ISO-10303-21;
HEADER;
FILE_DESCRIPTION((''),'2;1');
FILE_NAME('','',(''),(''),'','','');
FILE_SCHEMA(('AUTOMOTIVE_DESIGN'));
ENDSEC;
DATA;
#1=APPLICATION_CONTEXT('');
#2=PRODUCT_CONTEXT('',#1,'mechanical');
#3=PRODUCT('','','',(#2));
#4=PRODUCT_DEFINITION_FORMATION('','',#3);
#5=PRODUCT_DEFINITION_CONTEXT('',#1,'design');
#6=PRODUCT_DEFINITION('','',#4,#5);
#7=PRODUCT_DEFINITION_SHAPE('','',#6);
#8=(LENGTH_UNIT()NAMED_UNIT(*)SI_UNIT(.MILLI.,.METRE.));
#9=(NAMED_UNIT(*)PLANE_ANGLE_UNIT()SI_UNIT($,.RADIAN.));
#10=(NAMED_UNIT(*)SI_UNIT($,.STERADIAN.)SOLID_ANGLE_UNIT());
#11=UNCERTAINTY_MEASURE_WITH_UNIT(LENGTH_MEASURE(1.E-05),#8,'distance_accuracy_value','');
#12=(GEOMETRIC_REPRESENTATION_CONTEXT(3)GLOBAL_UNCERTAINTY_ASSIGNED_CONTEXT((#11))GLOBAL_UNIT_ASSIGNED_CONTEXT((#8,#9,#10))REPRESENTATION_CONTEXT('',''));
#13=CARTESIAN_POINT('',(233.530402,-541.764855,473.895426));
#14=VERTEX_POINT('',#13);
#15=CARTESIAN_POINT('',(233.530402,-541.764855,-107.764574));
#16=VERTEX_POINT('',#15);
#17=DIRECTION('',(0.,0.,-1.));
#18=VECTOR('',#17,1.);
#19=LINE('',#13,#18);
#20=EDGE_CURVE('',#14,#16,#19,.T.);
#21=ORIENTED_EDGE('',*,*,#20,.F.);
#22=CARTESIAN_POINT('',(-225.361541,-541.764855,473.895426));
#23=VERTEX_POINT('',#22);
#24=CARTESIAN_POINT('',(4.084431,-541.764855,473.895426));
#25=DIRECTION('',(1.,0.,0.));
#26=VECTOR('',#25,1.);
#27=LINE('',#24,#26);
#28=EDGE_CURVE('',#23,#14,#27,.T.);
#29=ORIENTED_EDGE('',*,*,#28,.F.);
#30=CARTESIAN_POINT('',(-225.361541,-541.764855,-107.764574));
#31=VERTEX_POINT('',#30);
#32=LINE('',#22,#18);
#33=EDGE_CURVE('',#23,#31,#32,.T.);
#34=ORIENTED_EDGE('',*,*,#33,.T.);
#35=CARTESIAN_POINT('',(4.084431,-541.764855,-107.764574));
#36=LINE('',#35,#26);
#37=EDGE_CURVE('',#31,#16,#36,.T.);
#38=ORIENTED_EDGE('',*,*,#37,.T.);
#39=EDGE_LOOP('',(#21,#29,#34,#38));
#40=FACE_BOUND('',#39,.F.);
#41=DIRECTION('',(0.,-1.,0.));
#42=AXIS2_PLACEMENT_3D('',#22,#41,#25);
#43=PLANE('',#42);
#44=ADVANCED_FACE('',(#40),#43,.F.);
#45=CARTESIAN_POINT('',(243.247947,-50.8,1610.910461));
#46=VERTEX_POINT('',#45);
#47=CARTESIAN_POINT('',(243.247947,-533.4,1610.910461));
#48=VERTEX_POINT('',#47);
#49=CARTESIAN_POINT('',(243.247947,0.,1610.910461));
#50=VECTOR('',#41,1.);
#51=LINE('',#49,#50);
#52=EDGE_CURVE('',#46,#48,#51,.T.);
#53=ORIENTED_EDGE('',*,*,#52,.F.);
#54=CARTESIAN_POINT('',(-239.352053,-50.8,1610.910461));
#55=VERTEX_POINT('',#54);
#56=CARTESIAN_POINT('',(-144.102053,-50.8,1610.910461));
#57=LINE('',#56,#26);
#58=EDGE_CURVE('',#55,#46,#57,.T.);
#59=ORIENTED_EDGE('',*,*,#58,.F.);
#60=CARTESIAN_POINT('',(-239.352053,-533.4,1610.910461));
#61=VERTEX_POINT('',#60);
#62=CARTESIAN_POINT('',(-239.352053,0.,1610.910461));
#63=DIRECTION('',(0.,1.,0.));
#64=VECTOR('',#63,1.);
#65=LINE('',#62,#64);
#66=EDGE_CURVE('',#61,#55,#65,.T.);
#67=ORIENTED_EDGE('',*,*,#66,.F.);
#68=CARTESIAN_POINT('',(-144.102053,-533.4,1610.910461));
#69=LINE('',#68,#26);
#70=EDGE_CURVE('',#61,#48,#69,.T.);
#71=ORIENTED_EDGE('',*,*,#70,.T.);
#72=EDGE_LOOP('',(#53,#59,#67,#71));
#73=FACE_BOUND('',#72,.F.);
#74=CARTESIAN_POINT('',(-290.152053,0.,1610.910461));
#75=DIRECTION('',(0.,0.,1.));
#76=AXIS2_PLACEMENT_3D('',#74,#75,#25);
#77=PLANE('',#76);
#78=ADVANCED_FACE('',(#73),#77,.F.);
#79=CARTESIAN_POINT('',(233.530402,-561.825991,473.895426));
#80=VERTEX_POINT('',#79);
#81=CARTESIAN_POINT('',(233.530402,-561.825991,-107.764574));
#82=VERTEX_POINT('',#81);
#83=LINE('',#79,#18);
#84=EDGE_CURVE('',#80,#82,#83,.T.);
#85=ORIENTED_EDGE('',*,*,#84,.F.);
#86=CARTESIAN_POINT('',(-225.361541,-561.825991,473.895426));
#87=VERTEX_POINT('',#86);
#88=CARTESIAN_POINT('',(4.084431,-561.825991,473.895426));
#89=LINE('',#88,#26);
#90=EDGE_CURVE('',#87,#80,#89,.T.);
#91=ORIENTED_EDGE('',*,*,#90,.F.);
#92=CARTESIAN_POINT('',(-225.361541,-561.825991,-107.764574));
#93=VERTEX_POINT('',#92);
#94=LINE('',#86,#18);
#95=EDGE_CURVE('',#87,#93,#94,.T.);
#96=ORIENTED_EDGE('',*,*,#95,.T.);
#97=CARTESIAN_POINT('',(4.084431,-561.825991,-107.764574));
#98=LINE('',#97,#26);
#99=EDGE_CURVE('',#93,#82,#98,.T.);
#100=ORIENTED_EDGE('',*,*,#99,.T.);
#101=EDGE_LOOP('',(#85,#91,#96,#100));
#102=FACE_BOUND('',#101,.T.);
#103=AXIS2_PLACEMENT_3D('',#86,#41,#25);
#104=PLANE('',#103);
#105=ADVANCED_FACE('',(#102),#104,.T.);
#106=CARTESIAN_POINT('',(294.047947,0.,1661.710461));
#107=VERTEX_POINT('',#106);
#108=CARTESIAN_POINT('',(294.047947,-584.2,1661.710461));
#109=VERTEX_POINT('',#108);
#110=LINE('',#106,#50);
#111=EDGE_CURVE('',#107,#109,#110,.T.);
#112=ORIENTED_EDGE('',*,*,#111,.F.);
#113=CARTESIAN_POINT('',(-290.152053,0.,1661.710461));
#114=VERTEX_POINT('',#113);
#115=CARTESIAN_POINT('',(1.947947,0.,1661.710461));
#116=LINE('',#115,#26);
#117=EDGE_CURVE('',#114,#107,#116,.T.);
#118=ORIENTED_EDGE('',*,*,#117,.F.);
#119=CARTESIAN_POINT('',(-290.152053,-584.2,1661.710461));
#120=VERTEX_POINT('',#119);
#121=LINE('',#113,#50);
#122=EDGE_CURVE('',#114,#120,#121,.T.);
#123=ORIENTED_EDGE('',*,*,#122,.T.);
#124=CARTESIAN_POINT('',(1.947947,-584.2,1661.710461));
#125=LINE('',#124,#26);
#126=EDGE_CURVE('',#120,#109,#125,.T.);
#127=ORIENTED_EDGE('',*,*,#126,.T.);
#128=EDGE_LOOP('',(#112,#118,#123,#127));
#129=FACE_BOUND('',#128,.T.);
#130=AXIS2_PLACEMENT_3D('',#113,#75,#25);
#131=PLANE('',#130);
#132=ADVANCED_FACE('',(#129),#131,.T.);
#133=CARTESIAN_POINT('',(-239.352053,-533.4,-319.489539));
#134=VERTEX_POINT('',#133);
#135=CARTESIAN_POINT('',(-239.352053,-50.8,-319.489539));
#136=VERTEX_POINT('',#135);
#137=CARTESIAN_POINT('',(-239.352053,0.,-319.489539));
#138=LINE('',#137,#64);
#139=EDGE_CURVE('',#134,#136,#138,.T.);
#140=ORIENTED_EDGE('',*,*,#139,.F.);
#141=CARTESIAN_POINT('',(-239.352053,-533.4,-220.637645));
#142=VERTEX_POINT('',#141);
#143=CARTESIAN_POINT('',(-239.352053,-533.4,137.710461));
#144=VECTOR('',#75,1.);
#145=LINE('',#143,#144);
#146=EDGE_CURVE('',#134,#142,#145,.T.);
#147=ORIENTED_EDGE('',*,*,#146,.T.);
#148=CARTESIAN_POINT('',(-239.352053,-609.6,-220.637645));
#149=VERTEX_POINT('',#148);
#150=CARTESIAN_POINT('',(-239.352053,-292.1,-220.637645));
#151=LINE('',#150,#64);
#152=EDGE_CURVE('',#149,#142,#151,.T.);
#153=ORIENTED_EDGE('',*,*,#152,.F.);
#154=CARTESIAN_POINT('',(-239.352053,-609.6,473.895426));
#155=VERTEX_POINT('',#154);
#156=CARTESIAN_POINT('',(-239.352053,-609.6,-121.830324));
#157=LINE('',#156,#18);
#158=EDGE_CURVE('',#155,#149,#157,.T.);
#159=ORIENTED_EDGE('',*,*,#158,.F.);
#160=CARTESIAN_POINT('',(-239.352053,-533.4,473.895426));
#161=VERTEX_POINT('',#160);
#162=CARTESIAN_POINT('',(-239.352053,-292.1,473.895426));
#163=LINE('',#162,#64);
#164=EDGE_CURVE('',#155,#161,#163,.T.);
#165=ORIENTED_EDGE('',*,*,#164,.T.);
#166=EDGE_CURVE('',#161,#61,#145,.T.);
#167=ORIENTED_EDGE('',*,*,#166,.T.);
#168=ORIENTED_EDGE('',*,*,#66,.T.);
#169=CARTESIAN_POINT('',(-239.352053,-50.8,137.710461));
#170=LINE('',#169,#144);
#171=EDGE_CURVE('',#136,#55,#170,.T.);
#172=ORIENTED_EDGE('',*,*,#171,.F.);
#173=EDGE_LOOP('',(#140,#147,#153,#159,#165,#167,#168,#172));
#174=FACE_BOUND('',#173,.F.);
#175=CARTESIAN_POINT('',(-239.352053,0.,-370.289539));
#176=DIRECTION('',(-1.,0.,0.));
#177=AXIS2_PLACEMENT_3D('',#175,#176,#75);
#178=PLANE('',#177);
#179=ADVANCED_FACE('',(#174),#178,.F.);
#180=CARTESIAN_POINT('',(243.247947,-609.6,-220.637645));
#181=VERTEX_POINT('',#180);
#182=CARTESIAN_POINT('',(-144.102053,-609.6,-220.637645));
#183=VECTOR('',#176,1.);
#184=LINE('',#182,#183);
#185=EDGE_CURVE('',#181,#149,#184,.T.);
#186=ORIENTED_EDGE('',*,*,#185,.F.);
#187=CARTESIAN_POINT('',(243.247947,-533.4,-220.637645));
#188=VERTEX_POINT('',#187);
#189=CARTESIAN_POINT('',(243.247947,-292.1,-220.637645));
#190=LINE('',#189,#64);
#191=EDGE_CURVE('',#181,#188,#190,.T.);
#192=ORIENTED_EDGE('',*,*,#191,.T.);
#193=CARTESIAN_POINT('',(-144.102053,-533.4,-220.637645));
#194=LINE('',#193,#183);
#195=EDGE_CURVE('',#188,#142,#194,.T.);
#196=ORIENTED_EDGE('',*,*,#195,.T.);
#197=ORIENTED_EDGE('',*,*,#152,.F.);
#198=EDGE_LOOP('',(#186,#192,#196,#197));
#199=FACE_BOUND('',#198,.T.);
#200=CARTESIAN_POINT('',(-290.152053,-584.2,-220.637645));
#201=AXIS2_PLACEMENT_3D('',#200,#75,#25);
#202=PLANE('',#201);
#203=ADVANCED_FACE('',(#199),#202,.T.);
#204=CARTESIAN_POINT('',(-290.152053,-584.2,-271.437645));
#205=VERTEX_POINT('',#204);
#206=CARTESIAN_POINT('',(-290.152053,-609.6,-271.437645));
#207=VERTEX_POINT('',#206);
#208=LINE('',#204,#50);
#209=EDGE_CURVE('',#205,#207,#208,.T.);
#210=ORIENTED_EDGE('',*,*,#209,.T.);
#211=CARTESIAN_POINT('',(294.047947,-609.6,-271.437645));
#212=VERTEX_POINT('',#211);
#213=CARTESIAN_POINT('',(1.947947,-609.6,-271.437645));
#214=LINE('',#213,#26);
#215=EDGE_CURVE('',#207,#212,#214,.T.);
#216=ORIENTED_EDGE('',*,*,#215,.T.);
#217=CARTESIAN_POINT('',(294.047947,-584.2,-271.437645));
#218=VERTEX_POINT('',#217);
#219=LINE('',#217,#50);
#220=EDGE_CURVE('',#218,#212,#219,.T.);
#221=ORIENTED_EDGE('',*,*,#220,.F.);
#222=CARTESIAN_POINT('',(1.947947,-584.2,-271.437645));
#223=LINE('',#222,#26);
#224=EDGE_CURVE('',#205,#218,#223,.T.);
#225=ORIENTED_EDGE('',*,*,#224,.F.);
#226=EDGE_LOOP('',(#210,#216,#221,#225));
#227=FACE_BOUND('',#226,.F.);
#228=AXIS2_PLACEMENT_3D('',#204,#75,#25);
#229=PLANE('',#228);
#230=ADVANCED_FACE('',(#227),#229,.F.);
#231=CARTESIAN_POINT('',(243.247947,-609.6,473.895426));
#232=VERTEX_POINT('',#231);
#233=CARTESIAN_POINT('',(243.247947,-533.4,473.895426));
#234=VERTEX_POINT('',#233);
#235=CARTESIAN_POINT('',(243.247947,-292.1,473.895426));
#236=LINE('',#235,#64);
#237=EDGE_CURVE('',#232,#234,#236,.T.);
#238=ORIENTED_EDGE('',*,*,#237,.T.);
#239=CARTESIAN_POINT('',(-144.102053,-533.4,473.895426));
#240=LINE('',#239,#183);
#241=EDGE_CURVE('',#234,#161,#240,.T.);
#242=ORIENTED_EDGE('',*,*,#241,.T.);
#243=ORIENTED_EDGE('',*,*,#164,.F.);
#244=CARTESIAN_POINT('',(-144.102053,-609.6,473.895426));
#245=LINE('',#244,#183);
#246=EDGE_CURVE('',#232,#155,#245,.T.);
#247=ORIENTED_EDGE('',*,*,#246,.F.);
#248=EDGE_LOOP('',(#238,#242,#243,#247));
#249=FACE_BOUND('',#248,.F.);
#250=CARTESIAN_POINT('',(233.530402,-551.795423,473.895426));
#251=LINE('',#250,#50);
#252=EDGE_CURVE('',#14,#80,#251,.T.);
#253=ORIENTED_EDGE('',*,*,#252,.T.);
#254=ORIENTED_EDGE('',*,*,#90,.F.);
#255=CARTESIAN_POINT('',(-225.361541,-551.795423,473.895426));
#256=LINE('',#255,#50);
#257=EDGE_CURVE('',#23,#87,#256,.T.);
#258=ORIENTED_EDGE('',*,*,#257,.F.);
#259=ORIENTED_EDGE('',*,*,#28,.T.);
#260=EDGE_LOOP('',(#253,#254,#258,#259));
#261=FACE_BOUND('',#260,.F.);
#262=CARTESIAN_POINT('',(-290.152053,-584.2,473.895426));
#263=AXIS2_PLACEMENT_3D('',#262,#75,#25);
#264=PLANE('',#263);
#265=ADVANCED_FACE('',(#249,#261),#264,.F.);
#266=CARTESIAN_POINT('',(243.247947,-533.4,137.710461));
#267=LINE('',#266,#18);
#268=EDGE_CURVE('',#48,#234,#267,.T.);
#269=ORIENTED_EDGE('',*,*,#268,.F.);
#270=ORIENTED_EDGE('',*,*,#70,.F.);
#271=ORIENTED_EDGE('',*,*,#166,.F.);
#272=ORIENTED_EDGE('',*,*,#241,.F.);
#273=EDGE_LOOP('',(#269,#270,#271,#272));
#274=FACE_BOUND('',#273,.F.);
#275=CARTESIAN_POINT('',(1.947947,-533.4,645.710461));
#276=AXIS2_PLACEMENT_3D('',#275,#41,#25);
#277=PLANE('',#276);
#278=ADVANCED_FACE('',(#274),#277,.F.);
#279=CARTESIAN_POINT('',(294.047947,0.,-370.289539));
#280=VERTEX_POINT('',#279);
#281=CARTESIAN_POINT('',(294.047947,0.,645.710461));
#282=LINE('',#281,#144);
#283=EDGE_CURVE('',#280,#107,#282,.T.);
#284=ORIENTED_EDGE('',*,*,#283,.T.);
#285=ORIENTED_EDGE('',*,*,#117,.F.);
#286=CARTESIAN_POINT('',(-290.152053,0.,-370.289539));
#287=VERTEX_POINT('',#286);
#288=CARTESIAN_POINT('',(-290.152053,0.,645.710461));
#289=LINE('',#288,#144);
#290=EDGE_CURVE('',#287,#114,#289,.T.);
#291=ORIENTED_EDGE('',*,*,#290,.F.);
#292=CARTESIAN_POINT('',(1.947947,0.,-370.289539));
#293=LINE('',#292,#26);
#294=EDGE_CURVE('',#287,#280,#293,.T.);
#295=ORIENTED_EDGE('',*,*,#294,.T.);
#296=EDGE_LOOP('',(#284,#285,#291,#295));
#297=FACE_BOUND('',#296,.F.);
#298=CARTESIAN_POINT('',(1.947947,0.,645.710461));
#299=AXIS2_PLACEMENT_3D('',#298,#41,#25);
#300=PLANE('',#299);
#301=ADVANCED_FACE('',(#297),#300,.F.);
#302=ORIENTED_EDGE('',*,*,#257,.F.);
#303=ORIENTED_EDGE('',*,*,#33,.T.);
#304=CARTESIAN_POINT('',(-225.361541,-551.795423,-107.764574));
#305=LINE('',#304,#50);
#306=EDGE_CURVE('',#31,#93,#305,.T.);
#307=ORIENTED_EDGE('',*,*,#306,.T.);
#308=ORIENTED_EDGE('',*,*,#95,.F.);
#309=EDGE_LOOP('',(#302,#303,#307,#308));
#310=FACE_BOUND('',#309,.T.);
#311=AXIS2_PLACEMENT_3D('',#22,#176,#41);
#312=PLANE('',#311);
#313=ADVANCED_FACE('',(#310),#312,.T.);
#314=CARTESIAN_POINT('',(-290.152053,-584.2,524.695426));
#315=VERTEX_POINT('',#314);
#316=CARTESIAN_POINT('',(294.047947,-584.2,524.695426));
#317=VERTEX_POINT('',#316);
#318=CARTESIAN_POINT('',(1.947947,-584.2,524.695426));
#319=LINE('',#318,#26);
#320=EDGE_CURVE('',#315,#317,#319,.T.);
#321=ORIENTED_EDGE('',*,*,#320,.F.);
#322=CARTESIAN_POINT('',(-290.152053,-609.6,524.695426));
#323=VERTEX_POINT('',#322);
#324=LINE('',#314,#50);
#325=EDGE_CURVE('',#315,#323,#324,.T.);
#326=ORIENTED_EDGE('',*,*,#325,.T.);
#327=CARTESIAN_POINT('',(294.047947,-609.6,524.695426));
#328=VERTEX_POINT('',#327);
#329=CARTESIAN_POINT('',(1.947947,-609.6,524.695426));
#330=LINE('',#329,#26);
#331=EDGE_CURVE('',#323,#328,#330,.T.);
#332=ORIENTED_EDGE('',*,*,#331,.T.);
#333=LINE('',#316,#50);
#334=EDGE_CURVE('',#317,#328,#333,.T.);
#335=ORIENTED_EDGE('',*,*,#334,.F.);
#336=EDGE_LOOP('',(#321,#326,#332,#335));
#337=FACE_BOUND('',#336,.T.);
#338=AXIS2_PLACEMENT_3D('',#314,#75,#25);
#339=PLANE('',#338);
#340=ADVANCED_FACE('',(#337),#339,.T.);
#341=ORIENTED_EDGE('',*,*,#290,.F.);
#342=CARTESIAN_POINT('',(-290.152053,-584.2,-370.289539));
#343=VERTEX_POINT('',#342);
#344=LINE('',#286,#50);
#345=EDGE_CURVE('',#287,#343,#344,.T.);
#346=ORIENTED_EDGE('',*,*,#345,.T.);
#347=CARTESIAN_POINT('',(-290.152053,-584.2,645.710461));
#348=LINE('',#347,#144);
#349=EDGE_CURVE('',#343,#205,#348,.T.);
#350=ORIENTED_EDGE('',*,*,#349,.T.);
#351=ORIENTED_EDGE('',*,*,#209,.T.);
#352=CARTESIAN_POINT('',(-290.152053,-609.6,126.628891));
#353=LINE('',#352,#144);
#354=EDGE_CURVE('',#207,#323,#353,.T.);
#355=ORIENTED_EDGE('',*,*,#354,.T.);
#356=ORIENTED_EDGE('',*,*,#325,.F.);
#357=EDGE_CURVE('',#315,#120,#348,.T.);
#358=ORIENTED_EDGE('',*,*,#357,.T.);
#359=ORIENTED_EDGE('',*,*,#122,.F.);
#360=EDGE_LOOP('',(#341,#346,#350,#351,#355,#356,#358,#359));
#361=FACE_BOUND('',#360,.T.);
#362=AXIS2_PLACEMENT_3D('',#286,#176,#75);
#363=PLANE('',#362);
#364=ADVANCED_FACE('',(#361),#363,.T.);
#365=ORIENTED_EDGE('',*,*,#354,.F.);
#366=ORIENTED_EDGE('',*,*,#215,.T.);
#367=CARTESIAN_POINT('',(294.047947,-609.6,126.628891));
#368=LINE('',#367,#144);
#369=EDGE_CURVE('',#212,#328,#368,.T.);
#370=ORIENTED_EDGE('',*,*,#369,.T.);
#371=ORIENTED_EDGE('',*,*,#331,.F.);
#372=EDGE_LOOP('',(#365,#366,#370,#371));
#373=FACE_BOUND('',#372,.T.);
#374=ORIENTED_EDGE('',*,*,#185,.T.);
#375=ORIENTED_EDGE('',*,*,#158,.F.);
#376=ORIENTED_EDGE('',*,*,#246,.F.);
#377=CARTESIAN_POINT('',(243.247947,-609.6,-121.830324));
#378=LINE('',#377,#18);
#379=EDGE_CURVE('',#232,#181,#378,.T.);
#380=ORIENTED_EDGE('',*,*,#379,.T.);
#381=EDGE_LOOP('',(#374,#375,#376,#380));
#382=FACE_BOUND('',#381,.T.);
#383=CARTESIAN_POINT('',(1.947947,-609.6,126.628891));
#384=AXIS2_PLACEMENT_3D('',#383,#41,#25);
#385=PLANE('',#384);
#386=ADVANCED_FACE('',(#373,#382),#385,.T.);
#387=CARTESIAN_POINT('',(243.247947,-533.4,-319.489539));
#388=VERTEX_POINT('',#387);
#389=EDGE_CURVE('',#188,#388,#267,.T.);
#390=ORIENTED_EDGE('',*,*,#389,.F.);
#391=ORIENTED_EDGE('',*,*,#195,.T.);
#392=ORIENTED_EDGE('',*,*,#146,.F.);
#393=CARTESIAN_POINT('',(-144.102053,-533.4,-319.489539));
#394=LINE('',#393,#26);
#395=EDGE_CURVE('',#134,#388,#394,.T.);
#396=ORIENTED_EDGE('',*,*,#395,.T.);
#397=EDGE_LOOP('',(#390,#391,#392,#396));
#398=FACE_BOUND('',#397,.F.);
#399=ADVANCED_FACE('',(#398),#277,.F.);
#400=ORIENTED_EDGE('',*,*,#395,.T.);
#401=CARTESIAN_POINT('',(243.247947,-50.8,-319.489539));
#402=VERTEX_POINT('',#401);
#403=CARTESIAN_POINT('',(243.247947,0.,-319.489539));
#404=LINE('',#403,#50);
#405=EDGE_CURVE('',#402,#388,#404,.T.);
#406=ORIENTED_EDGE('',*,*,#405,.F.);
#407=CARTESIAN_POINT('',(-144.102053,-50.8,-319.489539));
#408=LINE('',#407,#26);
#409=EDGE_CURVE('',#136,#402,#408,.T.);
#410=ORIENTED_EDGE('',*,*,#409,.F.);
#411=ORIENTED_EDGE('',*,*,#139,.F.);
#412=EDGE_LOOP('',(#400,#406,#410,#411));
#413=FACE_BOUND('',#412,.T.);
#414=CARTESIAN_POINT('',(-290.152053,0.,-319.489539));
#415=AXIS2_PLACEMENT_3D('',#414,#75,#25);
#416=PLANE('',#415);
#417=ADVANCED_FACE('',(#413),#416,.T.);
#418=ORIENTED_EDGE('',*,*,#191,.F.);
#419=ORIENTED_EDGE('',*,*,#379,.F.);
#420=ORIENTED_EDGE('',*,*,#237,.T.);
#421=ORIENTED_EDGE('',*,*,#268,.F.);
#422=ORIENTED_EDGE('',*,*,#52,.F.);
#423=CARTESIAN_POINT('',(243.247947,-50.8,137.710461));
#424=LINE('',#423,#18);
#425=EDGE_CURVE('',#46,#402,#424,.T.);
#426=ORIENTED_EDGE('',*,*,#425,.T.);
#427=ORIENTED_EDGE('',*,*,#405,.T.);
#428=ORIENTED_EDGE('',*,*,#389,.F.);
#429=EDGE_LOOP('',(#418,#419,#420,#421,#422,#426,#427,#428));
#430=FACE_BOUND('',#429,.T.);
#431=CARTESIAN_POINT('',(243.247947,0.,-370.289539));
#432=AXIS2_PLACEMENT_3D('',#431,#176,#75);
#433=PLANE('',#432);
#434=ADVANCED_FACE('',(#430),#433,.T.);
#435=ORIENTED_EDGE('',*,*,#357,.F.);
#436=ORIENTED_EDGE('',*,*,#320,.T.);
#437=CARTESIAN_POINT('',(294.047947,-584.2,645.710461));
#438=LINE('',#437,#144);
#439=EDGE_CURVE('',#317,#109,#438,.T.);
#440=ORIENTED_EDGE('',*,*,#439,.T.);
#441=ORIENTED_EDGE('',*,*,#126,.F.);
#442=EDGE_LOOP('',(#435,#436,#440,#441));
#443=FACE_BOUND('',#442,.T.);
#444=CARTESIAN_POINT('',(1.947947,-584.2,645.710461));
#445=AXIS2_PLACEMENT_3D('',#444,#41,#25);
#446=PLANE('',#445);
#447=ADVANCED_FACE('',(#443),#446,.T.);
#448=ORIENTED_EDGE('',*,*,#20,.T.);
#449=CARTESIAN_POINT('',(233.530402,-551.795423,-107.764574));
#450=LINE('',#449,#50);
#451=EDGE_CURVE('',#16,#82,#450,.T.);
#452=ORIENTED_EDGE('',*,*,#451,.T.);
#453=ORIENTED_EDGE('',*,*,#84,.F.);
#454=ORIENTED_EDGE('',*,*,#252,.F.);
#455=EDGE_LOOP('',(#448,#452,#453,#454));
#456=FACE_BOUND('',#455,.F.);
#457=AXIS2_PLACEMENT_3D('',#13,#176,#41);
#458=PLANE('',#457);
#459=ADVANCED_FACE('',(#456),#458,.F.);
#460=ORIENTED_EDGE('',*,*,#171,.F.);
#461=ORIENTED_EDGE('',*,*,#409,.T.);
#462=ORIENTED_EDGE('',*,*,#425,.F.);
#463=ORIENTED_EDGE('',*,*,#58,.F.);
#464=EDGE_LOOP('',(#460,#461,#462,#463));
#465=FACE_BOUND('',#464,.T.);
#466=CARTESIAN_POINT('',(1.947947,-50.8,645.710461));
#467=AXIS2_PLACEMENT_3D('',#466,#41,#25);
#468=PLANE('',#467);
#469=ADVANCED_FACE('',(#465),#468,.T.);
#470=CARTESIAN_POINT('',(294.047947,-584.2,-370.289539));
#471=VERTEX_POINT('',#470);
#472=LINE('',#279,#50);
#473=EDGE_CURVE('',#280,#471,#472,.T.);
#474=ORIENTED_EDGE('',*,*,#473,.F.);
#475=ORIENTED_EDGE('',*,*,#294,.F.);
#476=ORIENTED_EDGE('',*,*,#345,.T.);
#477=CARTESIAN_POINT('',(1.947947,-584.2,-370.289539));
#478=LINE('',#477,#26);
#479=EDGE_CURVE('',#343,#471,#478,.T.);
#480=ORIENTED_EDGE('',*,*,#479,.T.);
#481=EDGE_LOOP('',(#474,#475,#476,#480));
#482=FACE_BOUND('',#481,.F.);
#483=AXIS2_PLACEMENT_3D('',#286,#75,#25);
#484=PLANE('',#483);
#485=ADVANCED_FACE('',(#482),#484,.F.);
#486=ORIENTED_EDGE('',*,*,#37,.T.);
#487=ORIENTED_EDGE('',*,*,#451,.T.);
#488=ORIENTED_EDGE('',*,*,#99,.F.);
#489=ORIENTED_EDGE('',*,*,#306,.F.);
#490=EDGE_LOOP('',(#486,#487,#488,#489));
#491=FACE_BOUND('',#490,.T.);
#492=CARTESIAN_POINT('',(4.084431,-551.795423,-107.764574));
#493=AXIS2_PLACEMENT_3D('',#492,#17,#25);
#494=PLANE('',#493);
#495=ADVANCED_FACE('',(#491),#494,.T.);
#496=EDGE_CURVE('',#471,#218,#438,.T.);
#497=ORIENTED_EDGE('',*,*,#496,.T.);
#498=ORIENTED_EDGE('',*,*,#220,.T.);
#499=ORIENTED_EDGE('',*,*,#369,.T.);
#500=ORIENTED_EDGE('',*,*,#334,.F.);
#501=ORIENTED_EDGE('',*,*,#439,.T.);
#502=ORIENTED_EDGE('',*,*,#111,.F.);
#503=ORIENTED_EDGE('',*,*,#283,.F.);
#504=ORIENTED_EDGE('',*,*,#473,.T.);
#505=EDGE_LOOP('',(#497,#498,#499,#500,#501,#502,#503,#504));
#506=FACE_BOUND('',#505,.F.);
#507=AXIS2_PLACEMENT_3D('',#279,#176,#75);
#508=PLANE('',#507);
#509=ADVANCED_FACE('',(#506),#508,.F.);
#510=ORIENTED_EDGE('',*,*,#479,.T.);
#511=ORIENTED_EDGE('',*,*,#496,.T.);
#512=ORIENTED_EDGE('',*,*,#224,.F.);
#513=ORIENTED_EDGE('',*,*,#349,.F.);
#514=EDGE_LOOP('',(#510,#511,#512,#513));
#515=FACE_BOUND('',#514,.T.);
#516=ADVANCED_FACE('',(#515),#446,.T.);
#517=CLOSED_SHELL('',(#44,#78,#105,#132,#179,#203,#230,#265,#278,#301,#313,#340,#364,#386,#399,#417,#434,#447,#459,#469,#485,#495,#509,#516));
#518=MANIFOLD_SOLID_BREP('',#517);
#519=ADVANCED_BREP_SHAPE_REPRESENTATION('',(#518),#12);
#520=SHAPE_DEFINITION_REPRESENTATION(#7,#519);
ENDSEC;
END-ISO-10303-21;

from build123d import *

# Parameters (mm, degrees)
F0_W     = 584.2
F0_H     = 2032
F1_DEPTH = 584.2
F2_W     = 584.2
F2_H     = 796.1330711842
F3_DEPTH = 25.4
F4_T     = -50.8
F5_W     = 458.8919430971
F5_H     = 20.0611352921
F6_DEPTH = 581.66


with BuildPart() as f1:
    # F0 (on Front) → F1 (new body)
    with BuildSketch(Plane.XZ):
        with Locations((1.9479468465, 645.7104609217)):
            Rectangle(F0_W, F0_H)
    extrude(amount=F1_DEPTH)

    # F2 (on face) → F3 (join)
    with BuildSketch(Plane.XZ.offset(584.2)):
        with Locations((1.9479468465, 126.6288906336)):
            Rectangle(F2_W, F2_H)
    extrude(amount=F3_DEPTH)

    # F4
    f4_openings = [f1.faces().sort_by_distance(p)[0] for p in [
        (1.947947, -609.6, 126.628891),
    ]]
    offset(amount=F4_T, openings=f4_openings, kind=Kind.INTERSECTION)

    # F5 (on face) → F6 (join)
    with BuildSketch(Plane(origin=(0, 0, 473.8954262257), x_dir=(1, 0, 0), z_dir=(0, 0, -1))):
        with Locations((4.084430635, 551.7954230309)):
            Rectangle(F5_W, F5_H)
    extrude(amount=F6_DEPTH)


solid = f1.part
